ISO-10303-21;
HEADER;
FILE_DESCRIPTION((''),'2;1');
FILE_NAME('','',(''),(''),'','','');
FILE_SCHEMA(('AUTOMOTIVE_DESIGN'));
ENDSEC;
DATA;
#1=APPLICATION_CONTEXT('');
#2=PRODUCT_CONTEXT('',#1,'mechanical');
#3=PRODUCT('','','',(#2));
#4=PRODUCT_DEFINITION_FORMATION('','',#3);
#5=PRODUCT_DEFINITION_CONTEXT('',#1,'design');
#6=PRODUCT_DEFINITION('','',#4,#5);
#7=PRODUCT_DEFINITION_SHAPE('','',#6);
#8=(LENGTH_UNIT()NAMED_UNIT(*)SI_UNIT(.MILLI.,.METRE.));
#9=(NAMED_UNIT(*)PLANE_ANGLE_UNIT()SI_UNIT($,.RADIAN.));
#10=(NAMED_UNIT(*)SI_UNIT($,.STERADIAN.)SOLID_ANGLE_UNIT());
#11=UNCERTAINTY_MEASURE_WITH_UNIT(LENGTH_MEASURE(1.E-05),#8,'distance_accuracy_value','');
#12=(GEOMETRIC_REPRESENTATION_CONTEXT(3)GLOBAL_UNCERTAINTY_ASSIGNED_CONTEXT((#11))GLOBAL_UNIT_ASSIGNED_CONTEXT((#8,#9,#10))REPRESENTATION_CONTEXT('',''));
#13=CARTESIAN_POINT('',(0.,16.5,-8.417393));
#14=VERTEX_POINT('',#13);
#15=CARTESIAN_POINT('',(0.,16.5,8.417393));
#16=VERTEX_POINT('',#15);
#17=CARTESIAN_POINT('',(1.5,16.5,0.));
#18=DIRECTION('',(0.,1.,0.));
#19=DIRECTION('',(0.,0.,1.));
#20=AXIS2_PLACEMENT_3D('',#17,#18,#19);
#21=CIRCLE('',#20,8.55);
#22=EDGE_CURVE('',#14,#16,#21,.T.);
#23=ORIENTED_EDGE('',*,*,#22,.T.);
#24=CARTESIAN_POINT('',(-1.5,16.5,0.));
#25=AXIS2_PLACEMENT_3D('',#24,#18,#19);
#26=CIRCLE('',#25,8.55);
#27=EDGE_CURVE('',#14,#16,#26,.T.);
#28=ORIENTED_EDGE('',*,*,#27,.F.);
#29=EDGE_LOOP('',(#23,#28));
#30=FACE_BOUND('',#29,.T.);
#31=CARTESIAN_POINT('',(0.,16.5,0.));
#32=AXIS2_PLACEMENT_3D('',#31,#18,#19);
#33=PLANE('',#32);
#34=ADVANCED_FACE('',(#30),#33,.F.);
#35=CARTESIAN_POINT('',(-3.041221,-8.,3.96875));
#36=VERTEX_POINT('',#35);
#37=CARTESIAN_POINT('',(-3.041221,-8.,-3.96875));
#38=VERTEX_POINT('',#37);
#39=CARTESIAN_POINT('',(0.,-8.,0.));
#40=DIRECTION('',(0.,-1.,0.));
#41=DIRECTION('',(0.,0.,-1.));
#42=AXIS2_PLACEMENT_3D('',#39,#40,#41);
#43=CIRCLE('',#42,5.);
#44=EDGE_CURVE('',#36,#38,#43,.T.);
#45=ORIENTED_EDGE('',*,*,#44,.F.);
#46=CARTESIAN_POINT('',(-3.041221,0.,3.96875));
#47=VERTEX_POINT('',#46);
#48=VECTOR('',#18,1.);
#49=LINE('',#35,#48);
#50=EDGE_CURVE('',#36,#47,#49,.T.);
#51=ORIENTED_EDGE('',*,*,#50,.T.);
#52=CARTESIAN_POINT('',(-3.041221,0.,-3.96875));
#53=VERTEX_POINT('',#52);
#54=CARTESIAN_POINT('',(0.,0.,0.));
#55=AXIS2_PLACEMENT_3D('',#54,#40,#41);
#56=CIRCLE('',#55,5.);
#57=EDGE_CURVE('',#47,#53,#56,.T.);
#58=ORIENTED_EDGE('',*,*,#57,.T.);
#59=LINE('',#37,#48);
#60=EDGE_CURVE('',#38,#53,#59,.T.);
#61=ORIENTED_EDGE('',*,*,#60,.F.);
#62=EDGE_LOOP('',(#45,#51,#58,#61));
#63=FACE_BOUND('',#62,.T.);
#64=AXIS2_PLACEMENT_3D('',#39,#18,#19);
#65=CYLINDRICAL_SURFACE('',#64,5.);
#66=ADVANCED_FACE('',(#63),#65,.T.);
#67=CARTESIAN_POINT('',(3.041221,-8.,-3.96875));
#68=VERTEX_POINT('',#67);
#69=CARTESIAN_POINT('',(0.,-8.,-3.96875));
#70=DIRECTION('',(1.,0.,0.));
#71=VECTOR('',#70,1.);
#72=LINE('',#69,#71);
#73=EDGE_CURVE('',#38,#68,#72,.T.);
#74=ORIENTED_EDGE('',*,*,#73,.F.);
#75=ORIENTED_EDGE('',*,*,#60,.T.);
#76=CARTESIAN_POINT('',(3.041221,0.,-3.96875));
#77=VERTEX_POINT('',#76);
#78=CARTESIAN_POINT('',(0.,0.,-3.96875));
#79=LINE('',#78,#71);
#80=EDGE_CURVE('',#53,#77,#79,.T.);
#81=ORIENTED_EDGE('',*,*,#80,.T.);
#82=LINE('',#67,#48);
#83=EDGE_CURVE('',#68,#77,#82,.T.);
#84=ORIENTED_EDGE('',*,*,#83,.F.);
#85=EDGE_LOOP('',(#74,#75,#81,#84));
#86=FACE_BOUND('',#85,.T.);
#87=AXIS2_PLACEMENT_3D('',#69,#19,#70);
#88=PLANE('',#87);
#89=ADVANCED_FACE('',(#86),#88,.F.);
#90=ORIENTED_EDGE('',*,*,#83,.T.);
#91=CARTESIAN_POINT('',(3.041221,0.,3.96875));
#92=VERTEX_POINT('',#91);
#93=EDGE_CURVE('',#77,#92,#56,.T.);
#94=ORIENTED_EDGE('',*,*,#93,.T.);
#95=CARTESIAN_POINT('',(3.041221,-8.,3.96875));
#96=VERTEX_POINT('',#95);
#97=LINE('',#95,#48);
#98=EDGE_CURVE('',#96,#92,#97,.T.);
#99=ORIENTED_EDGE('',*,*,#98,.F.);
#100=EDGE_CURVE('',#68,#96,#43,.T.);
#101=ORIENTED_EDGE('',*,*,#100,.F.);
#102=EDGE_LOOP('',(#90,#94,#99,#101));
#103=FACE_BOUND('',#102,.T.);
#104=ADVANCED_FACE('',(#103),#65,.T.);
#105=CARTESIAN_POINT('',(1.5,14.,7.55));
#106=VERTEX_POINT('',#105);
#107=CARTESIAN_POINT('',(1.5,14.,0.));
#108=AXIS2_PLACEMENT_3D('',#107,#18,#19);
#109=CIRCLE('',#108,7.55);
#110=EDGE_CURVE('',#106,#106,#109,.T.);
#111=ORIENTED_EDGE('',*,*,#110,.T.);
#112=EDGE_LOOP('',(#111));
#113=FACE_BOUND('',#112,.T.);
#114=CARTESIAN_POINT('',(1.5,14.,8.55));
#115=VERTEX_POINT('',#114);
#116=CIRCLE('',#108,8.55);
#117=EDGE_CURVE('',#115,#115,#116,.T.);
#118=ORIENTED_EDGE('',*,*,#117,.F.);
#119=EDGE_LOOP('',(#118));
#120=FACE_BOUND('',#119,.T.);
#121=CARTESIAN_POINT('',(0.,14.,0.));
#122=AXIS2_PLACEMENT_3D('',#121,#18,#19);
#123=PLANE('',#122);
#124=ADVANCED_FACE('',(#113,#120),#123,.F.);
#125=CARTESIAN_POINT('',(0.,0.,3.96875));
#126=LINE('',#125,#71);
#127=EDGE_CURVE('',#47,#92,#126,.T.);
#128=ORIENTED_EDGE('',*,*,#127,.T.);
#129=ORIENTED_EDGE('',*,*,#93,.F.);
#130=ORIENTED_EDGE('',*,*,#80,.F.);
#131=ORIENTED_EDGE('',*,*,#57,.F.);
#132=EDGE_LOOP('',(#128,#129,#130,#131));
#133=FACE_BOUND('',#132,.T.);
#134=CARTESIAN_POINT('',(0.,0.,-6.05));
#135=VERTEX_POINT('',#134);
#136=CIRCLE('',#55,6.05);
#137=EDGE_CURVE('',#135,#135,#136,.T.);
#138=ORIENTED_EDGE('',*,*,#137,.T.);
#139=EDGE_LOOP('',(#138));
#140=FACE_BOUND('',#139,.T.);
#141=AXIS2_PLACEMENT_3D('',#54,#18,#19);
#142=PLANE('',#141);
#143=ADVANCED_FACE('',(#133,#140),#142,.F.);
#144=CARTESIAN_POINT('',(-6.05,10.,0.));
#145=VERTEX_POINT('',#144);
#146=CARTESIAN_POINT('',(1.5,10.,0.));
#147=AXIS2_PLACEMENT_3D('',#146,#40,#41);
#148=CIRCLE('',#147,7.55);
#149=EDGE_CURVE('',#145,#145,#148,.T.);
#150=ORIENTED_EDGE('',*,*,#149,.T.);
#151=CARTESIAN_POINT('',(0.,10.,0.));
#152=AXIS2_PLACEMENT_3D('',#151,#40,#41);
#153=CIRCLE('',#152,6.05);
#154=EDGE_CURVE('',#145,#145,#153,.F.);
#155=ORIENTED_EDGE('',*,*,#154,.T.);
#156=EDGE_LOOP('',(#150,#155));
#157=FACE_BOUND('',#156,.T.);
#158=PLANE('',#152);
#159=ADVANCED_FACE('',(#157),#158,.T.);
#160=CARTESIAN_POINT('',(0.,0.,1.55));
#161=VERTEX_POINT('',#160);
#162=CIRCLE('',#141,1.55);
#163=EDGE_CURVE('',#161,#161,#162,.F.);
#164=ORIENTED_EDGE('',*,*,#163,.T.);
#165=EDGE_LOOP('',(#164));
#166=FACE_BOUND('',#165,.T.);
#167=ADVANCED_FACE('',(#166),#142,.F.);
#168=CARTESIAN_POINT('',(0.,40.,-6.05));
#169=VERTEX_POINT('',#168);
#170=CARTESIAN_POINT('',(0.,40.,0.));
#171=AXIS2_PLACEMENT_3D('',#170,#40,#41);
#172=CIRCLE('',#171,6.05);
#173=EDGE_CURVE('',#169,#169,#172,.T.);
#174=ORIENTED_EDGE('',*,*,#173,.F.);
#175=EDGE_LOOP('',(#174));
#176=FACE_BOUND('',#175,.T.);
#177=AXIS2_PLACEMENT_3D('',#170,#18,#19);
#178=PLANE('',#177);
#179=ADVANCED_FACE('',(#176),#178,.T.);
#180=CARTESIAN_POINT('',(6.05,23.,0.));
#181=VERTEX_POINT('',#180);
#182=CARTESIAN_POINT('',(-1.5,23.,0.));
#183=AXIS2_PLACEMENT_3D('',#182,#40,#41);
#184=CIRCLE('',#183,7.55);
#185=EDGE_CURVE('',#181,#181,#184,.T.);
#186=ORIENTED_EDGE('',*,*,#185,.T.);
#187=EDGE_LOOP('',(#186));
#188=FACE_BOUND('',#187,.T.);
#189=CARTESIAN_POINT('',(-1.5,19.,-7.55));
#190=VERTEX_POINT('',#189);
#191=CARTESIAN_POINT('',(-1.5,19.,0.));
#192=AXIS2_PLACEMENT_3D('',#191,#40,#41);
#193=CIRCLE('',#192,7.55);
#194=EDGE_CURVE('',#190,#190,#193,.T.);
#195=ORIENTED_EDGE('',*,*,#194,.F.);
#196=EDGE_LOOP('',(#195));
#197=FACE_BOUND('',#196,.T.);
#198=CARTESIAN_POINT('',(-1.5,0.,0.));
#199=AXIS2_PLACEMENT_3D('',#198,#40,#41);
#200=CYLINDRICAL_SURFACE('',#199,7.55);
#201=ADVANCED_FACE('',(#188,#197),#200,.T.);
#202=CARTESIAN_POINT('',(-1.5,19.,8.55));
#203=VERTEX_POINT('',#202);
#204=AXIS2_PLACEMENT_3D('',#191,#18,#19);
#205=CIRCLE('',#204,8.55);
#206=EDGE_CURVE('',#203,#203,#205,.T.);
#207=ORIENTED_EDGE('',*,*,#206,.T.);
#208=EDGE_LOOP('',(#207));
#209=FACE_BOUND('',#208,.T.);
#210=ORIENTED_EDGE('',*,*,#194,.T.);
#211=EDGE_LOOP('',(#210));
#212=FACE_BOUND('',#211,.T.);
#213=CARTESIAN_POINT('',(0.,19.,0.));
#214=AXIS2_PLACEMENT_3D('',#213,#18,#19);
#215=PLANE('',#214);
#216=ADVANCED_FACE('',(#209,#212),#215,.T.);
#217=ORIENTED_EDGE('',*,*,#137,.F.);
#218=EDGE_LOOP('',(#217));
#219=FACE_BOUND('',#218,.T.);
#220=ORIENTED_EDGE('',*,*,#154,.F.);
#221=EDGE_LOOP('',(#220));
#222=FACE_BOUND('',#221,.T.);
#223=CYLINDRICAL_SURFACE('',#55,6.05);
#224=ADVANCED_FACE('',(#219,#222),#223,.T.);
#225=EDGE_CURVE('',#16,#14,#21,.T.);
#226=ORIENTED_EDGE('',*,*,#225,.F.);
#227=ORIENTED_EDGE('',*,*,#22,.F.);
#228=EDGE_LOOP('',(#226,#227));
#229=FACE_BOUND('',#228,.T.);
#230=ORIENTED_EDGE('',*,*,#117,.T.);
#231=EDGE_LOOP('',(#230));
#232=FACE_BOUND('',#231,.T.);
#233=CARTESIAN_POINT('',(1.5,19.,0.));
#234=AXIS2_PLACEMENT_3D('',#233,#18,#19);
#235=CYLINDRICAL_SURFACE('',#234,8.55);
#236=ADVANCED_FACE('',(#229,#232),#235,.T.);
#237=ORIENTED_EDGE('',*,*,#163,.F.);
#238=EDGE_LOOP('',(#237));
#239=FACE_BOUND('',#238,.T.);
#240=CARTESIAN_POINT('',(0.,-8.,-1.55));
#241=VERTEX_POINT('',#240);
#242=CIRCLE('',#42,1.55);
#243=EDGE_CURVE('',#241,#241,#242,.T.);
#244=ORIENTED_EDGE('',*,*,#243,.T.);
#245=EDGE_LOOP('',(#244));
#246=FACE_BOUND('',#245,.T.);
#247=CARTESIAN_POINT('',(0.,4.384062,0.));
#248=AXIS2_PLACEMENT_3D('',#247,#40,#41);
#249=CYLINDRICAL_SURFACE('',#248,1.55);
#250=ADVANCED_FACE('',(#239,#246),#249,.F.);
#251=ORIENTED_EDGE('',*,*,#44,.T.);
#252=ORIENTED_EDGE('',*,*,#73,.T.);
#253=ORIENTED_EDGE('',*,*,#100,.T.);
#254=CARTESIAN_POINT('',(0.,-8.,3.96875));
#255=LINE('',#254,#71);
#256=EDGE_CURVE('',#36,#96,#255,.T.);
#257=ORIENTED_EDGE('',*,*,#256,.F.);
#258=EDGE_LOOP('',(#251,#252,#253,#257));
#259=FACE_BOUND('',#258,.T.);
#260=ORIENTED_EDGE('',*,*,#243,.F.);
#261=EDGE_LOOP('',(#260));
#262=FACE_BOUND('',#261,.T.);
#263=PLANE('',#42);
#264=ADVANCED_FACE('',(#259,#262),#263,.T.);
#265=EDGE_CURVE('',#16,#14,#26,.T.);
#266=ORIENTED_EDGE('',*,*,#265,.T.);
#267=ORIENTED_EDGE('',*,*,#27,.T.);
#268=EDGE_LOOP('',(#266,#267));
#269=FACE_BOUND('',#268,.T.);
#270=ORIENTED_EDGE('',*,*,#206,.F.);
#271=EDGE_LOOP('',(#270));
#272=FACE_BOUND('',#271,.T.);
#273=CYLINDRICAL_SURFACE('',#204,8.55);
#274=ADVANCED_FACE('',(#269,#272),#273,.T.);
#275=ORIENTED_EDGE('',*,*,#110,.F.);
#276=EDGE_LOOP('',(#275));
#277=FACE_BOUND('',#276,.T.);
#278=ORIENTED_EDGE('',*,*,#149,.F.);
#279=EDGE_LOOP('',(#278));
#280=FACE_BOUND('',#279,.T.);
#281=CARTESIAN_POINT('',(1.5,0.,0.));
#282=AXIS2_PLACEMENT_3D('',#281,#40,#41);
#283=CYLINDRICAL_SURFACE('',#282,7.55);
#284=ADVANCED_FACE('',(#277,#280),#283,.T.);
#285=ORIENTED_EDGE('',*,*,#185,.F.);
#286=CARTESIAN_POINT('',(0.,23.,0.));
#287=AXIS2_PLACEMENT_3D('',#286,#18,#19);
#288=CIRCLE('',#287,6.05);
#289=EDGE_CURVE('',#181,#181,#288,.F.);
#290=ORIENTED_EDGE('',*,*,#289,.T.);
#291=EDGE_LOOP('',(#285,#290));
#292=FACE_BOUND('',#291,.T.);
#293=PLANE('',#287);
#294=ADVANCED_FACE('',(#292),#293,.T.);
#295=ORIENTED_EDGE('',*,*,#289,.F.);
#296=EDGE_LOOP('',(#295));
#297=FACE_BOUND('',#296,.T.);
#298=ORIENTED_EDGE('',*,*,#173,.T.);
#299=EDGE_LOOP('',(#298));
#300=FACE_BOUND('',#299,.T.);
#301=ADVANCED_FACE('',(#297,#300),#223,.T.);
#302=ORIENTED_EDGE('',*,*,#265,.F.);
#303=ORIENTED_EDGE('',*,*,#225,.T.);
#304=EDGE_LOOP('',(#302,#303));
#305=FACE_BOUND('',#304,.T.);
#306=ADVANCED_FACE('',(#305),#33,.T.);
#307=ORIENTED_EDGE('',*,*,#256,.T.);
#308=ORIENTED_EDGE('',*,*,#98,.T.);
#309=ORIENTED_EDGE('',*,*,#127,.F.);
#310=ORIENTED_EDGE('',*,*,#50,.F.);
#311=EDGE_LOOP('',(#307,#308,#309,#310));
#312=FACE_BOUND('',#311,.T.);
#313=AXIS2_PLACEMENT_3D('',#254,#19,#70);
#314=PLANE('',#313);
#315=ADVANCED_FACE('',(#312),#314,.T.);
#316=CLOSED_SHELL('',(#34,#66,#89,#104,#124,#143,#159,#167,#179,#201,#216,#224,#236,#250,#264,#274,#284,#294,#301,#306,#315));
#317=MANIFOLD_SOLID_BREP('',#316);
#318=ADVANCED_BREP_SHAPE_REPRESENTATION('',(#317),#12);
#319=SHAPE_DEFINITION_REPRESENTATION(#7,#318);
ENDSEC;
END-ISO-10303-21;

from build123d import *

# Parameters (mm, degrees)
SKETCH1_W           = 6.05
SKETCH1_H           = 17
SKETCH1_H_2         = 4
SKETCH1_H_3         = 5
SKETCH1_H_4         = 10
SKETCH1_5_W         = 3
SKETCH1_5_H         = 4
SKETCH1_6_W         = 3
SKETCH1_6_H         = 4
SKETCH2_W           = 8.55
SKETCH2_H           = 2.5
SKETCH2_3_W         = 8.55
SKETCH2_3_H         = 2.5
BOSS_EXTRUDE1_DEPTH = 8
SKETCH4_R           = 1.55
CUT_EXTRUDE1_DEPTH  = 8


with BuildPart() as part:
    # Sketch1 → Revolve4 (revolve)
    with BuildSketch(Plane.XY, mode=Mode.PRIVATE) as revolve4_sk:
        with Locations((-3.025, 31.5)):
            Rectangle(SKETCH1_W, SKETCH1_H)
        with Locations((-3.025, 21)):
            Rectangle(SKETCH1_W, SKETCH1_H_2)
        with Locations((-3.025, 16.5)):
            Rectangle(SKETCH1_W, SKETCH1_H_3)
        with Locations((-3.025, 12)):
            Rectangle(SKETCH1_W, SKETCH1_H_2)
        with Locations((-3.025, 5)):
            Rectangle(SKETCH1_W, SKETCH1_H_4)
    revolve(revolve4_sk.sketch.rotate(Axis((0, 0, 0), (0, 1, 0)), 270), axis=Axis((0, 0, 0), (0, 1, 0)))

    # Sketch1<5> → Revolve5 (revolve)
    with BuildSketch(Plane.XY, mode=Mode.PRIVATE) as revolve5_sk:
        with Locations((-7.55, 21)):
            Rectangle(SKETCH1_5_W, SKETCH1_5_H)
    revolve(revolve5_sk.sketch.rotate(Axis((-1.5, 0, 0), (0, 1, 0)), 180), axis=Axis((-1.5, 0, 0), (0, 1, 0)))

    # Sketch1<6> → Revolve6 (revolve)
    with BuildSketch(Plane.XY, mode=Mode.PRIVATE) as revolve6_sk:
        with Locations((7.55, 12)):
            Rectangle(SKETCH1_6_W, SKETCH1_6_H)
    revolve(revolve6_sk.sketch.rotate(Axis((1.5, 0, 0), (0, 1, 0)), 180), axis=Axis((1.5, 0, 0), (0, 1, 0)))

    # Sketch2 → Revolve7 (revolve)
    with BuildSketch(Plane.XY, mode=Mode.PRIVATE) as revolve7_sk:
        with Locations((-5.775, 17.75)):
            Rectangle(SKETCH2_W, SKETCH2_H)
    revolve(revolve7_sk.sketch.rotate(Axis((-1.5, 19, 0), (0, -1, 0)), 270), axis=Axis((-1.5, 19, 0), (0, -1, 0)))

    # Sketch2<3> → Revolve8 (revolve)
    with BuildSketch(Plane.XY, mode=Mode.PRIVATE) as revolve8_sk:
        with Locations((5.775, 15.25)):
            Rectangle(SKETCH2_3_W, SKETCH2_3_H)
    revolve(revolve8_sk.sketch.rotate(Axis((1.5, 19, 0), (0, -1, 0)), 90), axis=Axis((1.5, 19, 0), (0, -1, 0)))

    # Sketch3 → Boss-Extrude1 (add)
    with BuildSketch(Plane.XZ):
        with BuildLine():
            Line((3.041220715, 3.96875), (-3.041220715, 3.96875))
            ThreePointArc((-3.041220715, 3.96875), (-5, 0), (-3.041220715, -3.96875))
            Line((-3.041220715, -3.96875), (3.041220715, -3.96875))
            ThreePointArc((3.041220715, -3.96875), (4.483642692, -2.212904926), (5, 0))
            ThreePointArc((5, 0), (4.483642692, 2.212904926), (3.041220715, 3.96875))
        make_face()
    extrude(amount=BOSS_EXTRUDE1_DEPTH)

    # Sketch4 → Cut-Extrude1 (cut)
    with BuildSketch(Plane.XZ.offset(8)):
        with Locations(Location((0, 0, 0), (0, 0, 270))):
            Circle(SKETCH4_R)
    extrude(amount=-CUT_EXTRUDE1_DEPTH, mode=Mode.SUBTRACT)


solid = part.part
